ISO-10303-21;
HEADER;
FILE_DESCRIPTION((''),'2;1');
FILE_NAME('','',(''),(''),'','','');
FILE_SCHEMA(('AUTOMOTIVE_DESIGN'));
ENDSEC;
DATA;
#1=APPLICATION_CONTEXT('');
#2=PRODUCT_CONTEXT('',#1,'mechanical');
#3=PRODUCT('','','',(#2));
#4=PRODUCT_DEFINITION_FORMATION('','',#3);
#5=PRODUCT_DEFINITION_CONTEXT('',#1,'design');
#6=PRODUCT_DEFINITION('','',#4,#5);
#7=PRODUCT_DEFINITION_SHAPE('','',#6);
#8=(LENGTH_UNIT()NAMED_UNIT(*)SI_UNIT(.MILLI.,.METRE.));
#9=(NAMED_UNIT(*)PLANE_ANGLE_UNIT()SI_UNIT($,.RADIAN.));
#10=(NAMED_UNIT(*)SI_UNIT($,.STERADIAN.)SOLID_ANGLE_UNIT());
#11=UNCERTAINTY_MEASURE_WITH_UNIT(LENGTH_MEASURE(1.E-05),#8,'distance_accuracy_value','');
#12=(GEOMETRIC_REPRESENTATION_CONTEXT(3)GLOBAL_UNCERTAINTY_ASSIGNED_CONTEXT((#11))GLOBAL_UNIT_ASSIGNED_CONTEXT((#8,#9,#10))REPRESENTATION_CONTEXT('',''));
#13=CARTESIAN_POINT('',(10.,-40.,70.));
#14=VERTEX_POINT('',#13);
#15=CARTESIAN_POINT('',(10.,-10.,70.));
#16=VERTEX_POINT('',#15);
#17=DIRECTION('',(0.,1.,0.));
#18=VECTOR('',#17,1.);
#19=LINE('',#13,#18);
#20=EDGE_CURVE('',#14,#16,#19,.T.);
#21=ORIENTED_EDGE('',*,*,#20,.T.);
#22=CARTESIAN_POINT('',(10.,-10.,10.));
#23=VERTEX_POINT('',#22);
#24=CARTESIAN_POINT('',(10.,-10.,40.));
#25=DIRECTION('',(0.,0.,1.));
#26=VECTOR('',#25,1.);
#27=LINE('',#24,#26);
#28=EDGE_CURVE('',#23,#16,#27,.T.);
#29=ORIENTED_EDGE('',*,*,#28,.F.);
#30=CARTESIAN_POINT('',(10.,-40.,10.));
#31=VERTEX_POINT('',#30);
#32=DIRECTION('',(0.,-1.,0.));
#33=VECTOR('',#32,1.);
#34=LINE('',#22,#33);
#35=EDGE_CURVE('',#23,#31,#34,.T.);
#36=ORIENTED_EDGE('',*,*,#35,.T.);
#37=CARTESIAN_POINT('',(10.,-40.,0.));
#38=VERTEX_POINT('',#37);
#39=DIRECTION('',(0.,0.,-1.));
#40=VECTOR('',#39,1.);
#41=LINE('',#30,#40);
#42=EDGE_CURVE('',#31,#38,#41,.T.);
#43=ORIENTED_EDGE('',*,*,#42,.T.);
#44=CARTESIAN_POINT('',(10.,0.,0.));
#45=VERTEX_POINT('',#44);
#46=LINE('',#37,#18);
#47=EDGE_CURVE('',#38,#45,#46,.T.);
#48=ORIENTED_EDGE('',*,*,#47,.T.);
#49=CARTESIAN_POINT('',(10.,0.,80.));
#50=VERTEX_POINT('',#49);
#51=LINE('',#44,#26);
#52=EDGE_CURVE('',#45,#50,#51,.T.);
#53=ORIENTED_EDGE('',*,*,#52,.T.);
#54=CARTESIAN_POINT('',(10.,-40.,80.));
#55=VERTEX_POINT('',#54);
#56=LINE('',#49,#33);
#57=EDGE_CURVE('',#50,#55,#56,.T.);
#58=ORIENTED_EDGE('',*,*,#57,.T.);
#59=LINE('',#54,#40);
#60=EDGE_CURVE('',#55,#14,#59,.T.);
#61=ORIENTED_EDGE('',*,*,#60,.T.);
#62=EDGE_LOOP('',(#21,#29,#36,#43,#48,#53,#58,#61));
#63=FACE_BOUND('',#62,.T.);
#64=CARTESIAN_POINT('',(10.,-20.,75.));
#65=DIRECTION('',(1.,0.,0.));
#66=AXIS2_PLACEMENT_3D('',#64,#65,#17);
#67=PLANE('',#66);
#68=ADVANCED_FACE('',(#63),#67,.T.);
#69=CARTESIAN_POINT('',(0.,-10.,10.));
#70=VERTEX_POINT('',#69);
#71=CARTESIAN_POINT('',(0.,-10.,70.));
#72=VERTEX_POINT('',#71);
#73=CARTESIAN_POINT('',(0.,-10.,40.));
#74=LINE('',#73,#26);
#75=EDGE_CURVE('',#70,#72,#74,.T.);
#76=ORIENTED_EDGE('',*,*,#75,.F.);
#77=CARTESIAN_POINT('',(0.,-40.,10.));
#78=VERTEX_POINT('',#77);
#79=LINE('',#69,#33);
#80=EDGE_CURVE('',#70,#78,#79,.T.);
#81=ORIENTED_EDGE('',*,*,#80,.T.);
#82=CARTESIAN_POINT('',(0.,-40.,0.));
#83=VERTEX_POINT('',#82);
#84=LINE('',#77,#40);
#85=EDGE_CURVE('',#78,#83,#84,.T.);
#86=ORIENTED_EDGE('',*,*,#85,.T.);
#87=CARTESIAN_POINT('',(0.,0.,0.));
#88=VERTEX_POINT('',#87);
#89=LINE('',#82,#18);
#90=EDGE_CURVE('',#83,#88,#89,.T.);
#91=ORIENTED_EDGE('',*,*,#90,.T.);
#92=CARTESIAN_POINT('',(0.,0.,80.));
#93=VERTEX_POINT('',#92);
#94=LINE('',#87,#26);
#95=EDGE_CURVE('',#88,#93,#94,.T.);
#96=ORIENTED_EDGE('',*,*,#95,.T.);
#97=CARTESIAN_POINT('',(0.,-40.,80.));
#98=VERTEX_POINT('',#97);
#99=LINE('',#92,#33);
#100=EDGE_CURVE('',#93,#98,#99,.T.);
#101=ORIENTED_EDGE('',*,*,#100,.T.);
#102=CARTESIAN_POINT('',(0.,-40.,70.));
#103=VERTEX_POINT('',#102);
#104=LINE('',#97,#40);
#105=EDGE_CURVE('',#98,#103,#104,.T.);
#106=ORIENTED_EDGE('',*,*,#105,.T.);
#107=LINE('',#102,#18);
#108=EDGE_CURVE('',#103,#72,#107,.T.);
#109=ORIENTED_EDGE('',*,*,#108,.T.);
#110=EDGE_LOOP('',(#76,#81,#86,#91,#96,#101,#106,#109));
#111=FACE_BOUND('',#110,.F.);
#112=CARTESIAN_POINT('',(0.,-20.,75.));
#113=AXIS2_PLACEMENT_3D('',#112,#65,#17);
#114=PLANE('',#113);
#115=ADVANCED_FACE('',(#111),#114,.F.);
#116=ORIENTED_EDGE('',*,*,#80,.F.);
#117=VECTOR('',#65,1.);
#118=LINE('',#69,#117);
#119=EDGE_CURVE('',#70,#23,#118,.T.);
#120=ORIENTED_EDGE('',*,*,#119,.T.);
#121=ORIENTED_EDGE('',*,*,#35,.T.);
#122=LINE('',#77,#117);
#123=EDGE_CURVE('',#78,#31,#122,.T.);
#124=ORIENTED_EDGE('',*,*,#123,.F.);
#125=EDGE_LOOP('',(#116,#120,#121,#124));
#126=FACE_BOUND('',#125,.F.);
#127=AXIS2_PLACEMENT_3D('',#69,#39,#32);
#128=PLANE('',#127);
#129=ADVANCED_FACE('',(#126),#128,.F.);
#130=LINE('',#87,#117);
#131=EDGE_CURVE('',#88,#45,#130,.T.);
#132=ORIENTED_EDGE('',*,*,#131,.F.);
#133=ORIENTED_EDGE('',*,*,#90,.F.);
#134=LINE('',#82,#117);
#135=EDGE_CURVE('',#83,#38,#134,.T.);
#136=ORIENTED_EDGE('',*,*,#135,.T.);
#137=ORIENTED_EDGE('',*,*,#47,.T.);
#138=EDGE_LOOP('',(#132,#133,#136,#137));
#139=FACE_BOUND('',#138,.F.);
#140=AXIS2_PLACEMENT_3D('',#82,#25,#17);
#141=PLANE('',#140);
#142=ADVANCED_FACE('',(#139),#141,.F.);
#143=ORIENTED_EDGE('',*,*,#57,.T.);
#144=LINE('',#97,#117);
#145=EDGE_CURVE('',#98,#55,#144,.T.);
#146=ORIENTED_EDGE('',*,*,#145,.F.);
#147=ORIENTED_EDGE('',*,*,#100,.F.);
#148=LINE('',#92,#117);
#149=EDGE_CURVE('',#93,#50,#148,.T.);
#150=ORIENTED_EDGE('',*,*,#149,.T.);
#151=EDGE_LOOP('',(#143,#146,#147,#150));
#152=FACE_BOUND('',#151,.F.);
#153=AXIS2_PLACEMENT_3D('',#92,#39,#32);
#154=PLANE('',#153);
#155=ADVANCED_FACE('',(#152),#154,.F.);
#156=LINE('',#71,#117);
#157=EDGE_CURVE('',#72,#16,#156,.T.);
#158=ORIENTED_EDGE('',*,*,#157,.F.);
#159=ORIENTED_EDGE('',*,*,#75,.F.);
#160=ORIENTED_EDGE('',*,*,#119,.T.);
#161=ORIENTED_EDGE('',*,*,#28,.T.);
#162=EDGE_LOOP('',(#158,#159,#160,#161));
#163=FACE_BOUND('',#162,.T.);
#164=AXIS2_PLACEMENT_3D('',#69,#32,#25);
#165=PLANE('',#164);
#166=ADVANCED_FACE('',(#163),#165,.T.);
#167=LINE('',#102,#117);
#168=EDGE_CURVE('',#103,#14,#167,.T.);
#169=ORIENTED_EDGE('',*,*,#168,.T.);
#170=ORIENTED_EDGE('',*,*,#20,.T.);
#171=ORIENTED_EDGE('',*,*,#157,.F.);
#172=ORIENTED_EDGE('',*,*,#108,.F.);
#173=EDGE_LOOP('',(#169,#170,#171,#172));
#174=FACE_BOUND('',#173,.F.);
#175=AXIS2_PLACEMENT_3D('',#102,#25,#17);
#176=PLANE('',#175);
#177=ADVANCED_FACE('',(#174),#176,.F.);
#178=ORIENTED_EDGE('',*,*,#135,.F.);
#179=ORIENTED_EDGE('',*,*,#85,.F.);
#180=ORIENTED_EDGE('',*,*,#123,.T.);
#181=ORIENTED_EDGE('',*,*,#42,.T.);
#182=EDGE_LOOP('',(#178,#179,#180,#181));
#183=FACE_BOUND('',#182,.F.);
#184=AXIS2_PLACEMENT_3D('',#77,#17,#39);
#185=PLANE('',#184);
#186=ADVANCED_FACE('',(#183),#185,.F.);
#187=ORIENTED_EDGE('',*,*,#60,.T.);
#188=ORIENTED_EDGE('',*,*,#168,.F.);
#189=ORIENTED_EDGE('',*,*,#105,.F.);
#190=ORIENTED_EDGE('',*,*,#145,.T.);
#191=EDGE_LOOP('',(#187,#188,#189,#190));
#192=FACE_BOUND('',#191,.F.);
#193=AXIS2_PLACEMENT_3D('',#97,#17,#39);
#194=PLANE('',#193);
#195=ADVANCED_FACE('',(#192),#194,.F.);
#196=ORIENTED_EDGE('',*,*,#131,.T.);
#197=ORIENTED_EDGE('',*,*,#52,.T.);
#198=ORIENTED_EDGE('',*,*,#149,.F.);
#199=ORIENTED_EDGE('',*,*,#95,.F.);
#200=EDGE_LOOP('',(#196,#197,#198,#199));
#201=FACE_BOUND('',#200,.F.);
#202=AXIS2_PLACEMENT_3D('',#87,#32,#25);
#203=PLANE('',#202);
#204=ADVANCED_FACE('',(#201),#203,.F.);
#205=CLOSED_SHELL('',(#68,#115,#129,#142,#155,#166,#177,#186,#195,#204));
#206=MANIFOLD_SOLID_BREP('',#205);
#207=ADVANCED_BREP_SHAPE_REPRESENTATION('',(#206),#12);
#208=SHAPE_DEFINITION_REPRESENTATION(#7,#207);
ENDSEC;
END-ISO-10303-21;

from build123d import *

# Parameters (mm, degrees)
F0_W     = 10
F0_H     = 60
F1_DEPTH = 10


with BuildPart() as f1:
    # F0 (on Right) → F1 (new body)
    with BuildSketch(Plane.YZ):
        Polygon((-10, 70), (0, 70), (0, 80), (-40, 80), (-40, 70), align=None)
        with Locations((-5, 40)):
            Rectangle(F0_W, F0_H)
        Polygon((-40, 0), (0, 0), (0, 10), (-10, 10), (-40, 10), align=None)
    extrude(amount=F1_DEPTH)


solid = f1.part
